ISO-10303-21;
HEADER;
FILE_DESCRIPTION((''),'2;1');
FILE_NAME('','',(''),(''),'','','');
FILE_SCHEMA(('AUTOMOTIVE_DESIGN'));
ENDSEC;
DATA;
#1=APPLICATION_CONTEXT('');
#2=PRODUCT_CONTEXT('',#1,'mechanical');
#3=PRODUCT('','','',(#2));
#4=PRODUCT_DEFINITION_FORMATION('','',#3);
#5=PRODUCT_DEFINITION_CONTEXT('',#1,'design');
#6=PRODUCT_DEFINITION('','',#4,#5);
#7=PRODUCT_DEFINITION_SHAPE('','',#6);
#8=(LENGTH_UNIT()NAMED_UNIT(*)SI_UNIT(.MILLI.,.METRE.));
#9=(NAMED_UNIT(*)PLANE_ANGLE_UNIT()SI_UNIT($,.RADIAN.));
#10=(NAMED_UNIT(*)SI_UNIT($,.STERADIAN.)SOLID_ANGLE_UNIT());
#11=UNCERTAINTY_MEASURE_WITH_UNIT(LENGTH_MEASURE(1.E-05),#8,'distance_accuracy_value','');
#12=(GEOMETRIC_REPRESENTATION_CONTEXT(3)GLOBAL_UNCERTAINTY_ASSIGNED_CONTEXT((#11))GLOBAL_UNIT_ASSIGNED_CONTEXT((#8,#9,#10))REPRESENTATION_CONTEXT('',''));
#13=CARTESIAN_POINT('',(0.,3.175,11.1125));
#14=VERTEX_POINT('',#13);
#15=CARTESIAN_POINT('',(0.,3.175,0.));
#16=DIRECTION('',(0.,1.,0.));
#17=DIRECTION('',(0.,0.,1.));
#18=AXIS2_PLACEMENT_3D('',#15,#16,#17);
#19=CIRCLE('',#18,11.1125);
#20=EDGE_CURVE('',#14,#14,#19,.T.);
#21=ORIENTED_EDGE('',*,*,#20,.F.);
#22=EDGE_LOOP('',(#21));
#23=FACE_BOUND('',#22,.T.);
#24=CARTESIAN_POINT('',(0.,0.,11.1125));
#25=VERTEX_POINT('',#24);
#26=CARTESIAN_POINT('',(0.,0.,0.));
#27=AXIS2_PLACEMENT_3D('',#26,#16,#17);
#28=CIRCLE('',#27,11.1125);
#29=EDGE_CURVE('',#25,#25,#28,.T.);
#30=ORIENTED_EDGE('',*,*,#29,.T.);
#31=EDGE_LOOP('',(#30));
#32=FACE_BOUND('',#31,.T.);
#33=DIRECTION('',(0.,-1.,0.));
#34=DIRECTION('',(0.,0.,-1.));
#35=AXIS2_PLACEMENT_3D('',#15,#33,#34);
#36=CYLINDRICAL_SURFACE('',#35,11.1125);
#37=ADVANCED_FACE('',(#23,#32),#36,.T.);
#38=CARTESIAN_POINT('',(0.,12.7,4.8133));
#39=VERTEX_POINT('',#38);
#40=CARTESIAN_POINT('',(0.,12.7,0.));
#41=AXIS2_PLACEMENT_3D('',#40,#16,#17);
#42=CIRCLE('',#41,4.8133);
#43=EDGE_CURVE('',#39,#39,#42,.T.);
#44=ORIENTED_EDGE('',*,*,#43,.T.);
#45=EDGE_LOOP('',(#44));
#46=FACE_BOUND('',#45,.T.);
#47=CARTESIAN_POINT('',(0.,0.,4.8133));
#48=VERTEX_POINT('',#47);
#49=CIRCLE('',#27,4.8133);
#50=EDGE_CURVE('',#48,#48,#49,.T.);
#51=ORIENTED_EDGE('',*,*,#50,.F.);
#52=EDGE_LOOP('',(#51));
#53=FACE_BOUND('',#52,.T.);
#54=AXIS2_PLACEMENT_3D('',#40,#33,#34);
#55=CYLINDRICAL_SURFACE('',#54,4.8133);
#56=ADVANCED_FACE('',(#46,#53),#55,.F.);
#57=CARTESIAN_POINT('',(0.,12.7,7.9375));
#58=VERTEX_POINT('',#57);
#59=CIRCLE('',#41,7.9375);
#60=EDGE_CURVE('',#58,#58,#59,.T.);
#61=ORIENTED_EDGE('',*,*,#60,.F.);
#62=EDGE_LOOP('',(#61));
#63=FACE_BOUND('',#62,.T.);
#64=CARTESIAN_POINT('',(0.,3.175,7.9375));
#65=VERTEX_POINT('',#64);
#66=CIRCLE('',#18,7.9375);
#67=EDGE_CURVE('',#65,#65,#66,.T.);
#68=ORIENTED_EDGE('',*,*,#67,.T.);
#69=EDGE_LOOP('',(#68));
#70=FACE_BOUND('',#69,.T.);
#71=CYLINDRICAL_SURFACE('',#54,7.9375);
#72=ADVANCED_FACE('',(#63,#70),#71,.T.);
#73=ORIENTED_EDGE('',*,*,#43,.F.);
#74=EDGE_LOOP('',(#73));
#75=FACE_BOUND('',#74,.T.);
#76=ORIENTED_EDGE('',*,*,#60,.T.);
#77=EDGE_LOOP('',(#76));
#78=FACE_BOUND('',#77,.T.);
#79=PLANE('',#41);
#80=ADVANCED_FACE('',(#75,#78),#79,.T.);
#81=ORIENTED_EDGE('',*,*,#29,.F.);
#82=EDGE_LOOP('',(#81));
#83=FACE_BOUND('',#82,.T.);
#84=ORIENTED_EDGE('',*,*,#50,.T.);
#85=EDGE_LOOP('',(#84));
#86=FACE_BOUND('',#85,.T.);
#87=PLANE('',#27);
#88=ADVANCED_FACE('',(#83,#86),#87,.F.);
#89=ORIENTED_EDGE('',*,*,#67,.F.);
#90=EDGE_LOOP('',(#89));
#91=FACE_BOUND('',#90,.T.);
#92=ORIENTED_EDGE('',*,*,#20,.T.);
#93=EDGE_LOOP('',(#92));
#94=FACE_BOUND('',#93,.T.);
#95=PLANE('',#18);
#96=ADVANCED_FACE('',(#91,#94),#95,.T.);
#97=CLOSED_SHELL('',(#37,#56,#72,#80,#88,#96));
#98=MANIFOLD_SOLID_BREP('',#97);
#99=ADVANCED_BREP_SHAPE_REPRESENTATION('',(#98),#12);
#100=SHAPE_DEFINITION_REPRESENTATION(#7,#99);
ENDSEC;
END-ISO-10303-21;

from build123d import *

# Parameters (mm, degrees)
SKETCH2_R           = 7.9375
SKETCH2_R_2         = 4.8133
BOSS_EXTRUDE1_DEPTH = 12.7
SKETCH3_R           = 11.1125
SKETCH3_R_2         = 7.9375
BOSS_EXTRUDE2_DEPTH = 3.175


with BuildPart() as part:
    # Sketch2 → Boss-Extrude1 (new body)
    with BuildSketch(Plane(origin=(0, 0, 0), x_dir=(1, 0, 0), z_dir=(0, 1, 0))):
        Circle(SKETCH2_R)
        Circle(SKETCH2_R_2, mode=Mode.SUBTRACT)
    extrude(amount=BOSS_EXTRUDE1_DEPTH)

    # Sketch3 → Boss-Extrude2 (add)
    with BuildSketch(Plane(origin=(0, 0, 0), x_dir=(1, 0, 0), z_dir=(0, 1, 0))):
        Circle(SKETCH3_R)
        Circle(SKETCH3_R_2, mode=Mode.SUBTRACT)
    extrude(amount=BOSS_EXTRUDE2_DEPTH)


solid = part.part
